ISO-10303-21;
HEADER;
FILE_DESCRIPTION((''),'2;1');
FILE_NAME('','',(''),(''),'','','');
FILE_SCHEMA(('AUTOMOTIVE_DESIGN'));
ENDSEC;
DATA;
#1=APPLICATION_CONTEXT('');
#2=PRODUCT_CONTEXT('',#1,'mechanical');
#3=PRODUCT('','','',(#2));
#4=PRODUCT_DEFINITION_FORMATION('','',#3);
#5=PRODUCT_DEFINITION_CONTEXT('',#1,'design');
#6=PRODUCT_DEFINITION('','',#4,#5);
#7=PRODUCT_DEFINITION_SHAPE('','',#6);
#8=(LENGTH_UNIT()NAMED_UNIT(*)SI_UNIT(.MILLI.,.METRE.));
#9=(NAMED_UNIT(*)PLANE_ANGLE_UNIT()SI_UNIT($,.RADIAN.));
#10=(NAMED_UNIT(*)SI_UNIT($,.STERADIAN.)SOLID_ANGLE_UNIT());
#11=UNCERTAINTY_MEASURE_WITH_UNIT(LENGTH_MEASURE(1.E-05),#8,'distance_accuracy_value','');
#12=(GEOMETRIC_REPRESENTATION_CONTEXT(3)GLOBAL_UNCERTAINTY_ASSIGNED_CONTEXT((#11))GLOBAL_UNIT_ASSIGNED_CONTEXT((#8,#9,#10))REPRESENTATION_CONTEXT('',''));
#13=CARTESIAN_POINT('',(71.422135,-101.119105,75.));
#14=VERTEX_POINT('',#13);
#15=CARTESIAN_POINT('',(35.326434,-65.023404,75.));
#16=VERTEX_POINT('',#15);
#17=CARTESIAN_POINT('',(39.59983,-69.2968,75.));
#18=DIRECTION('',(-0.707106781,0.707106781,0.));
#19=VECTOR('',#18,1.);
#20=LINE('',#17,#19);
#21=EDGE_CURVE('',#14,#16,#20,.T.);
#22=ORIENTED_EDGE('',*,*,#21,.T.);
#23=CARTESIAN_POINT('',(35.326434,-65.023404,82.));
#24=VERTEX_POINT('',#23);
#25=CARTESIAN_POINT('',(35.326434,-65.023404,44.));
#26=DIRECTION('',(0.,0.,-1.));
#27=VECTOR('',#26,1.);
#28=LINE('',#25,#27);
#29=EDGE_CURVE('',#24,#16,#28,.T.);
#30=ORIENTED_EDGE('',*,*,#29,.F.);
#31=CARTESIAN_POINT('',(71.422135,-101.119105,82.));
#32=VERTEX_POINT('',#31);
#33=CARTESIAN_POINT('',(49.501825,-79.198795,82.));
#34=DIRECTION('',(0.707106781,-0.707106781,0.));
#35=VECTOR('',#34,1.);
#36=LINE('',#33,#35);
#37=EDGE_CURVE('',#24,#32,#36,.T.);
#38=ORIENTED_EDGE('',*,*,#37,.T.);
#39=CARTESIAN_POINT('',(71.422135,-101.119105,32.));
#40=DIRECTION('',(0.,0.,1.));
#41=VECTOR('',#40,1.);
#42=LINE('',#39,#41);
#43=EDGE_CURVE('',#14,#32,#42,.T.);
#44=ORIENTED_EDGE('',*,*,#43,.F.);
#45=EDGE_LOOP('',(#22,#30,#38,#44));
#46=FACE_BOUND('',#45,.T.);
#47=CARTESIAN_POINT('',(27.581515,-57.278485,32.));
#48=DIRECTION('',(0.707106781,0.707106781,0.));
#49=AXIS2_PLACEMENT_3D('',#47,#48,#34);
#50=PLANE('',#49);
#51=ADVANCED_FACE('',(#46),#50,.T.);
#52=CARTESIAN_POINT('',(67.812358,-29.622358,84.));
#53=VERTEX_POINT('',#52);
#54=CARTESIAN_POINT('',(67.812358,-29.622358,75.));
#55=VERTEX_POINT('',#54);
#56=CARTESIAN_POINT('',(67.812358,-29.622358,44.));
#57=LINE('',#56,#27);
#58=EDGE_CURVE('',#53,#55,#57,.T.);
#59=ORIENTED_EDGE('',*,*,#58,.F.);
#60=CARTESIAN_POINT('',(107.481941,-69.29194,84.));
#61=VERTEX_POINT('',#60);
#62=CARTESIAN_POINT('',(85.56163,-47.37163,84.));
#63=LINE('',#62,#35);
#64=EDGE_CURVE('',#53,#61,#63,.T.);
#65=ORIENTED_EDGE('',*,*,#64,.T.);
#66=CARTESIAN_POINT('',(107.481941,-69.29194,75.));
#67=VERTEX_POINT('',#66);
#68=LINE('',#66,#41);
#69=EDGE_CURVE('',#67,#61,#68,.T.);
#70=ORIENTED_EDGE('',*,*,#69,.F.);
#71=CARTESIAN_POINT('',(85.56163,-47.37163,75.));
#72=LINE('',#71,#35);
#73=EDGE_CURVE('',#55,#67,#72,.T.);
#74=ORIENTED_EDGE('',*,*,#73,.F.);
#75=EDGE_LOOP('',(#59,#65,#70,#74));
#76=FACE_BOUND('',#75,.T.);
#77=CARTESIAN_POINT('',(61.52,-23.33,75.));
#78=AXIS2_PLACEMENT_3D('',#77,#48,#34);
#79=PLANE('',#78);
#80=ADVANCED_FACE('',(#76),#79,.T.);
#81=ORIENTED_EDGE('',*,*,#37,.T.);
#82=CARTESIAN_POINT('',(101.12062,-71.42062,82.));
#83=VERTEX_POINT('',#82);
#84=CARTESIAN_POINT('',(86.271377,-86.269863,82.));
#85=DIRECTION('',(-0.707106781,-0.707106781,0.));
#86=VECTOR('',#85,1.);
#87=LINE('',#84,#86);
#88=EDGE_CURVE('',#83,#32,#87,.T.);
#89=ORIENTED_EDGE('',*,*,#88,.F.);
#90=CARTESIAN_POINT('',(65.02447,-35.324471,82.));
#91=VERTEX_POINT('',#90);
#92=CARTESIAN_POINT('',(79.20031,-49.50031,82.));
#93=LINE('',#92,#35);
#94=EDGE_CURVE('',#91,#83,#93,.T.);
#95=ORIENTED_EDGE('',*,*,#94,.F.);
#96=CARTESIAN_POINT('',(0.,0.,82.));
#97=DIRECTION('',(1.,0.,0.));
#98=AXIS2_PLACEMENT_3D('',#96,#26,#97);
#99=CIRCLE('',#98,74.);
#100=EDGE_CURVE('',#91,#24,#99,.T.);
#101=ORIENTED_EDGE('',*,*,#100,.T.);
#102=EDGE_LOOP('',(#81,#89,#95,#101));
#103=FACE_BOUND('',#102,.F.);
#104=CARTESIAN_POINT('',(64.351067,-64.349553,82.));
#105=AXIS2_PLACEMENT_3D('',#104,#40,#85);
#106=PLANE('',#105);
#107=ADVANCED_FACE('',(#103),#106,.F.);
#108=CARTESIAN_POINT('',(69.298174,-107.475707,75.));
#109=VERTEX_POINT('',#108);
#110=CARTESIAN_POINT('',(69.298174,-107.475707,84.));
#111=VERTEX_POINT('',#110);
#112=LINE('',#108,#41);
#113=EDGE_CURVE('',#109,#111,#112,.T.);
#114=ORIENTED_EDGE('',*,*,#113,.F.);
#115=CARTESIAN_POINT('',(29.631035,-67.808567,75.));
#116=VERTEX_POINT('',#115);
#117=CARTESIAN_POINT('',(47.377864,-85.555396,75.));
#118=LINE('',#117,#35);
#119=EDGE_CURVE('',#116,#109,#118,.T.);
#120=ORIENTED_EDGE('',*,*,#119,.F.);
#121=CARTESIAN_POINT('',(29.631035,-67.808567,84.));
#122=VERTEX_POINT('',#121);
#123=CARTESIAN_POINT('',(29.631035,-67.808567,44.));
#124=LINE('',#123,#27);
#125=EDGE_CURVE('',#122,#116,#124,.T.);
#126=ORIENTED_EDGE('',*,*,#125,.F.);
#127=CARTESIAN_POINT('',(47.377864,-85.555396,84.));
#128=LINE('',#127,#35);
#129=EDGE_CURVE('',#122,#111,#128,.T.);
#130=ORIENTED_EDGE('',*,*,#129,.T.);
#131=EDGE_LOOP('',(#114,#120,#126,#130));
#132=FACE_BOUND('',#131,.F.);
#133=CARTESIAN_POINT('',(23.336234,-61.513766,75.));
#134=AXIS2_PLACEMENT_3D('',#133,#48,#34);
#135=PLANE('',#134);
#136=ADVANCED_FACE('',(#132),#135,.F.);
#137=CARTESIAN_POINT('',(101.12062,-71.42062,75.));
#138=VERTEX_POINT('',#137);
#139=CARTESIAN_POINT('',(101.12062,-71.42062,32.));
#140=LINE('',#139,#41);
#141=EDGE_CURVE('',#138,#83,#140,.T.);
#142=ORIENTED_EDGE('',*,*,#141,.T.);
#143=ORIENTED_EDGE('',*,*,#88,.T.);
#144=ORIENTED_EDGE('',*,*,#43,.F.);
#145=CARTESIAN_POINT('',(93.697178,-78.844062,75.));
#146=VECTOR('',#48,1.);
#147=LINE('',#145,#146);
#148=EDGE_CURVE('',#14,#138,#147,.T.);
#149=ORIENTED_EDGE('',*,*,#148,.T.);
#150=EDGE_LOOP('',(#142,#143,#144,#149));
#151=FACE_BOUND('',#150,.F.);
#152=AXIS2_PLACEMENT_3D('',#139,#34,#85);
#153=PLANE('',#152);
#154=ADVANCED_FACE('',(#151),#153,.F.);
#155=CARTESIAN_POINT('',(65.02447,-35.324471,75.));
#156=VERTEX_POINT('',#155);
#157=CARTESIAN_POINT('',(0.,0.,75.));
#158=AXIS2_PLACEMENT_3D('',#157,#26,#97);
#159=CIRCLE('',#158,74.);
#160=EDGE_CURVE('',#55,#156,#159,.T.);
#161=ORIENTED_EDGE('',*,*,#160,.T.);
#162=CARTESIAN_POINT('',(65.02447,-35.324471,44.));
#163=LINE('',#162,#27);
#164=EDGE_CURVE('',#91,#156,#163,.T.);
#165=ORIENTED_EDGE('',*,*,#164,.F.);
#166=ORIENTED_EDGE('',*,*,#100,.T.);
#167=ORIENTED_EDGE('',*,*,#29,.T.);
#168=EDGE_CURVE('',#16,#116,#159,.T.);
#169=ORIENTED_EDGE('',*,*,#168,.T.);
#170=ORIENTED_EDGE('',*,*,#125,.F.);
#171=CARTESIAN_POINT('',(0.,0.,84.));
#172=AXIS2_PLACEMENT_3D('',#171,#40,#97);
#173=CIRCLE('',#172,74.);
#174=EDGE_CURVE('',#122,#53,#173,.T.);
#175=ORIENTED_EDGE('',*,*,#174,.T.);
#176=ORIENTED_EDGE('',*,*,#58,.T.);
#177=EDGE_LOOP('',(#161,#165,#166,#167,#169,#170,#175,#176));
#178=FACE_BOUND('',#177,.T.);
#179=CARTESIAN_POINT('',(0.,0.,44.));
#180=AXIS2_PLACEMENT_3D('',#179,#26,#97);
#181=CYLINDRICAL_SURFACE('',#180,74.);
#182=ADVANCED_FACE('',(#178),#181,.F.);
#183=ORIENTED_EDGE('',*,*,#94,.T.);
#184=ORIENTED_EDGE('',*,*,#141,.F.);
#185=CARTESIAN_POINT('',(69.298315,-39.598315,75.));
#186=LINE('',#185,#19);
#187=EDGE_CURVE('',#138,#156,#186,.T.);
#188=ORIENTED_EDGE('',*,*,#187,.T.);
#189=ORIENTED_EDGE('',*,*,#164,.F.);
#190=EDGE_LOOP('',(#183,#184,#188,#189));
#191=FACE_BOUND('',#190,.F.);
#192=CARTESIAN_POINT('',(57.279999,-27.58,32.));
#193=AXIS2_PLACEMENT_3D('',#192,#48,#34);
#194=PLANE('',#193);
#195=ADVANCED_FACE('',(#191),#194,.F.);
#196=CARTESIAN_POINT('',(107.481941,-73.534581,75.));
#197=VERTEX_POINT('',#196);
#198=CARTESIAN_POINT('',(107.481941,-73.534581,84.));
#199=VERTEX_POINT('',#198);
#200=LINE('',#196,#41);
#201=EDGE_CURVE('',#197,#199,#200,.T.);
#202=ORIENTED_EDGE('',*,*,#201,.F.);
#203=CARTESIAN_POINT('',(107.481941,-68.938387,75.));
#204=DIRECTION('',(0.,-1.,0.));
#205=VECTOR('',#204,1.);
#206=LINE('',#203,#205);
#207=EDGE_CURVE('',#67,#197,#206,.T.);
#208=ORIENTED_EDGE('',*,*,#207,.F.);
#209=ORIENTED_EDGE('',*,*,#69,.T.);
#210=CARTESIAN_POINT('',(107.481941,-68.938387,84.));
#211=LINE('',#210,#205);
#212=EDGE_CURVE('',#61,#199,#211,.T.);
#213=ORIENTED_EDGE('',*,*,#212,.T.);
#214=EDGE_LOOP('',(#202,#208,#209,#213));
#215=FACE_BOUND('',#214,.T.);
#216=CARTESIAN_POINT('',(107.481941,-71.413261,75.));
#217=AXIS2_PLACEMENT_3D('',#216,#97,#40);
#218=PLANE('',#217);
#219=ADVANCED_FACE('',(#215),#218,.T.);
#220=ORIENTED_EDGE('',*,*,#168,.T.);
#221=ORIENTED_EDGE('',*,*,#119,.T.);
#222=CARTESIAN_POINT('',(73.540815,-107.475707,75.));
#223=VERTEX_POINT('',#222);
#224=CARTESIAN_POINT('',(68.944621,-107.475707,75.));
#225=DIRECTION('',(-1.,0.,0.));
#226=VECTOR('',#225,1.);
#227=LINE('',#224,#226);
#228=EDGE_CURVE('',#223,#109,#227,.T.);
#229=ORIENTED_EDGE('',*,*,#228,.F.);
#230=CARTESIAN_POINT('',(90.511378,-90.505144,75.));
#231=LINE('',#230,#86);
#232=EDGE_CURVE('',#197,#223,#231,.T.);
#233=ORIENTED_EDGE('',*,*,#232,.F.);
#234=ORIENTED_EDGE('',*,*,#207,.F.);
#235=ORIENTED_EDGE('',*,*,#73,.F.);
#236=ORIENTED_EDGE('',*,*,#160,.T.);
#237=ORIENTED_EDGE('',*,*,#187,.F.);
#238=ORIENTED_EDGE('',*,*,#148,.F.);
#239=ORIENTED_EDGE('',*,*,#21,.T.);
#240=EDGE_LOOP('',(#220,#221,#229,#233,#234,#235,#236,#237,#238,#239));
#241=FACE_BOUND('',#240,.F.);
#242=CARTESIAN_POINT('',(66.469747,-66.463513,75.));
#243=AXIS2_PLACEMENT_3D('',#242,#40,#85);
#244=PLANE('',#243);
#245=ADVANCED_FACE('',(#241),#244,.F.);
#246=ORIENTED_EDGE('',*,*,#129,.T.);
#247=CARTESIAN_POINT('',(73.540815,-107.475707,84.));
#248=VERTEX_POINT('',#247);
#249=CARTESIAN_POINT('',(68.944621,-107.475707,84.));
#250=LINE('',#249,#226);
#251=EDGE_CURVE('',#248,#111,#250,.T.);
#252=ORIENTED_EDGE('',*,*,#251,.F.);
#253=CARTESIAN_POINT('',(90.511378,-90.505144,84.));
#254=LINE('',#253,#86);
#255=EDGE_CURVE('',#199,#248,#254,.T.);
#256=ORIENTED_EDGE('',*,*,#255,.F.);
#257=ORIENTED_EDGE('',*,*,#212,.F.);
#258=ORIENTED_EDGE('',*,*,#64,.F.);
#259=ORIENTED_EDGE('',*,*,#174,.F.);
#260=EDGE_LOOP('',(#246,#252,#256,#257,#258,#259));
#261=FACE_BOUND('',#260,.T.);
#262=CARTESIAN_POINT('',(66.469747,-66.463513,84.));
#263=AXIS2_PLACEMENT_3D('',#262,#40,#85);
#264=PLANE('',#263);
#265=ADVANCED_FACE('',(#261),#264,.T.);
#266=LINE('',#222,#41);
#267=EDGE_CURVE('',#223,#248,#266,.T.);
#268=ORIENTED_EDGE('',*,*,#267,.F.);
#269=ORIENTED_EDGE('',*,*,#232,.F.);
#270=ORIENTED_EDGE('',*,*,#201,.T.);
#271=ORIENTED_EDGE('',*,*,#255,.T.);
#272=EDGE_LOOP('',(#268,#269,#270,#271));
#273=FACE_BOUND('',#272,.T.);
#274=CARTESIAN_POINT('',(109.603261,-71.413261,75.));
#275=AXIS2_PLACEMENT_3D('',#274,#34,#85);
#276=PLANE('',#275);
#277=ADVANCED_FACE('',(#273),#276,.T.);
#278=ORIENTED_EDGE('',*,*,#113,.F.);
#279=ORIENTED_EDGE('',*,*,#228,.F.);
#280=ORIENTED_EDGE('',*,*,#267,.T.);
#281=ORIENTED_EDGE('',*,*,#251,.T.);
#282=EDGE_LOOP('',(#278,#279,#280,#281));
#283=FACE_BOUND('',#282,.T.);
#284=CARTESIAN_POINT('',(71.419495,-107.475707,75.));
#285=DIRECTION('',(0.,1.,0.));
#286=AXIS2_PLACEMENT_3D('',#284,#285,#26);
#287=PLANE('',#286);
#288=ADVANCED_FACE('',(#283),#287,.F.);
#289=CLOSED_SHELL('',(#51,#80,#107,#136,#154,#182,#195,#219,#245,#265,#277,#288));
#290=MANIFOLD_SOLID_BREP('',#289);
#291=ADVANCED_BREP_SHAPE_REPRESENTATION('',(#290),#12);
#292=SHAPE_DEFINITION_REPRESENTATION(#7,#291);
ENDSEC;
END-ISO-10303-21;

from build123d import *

# Parameters (mm, degrees)
CYLINDER1708_R              = 74
CYLINDER1708_DEPTH          = 40
BOX671_W                    = 42
BOX671_H                    = 62
BOX671_DEPTH                = 50
COMPOUND846_PLACEMENT_ANGLE = 225
BOX672_W                    = 54
BOX672_H                    = 68
BOX672_DEPTH                = 9
COMPOUND847_PLACEMENT_ANGLE = 225
CHAMFER053_SIZE             = 3


with BuildPart() as v_lec1708:
    # Cylinder1708 → Cylinder1708 (new body)
    with BuildSketch(Plane.XY.offset(44)):
        Circle(CYLINDER1708_R)
    extrude(amount=CYLINDER1708_DEPTH)


with BuildPart() as compound846:
    # Box671 → Box671 (new body)
    with BuildSketch(Plane(origin=(-21.001071, 60.005081, 31), x_dir=(1, 0, 0), z_dir=(0, 0, 1))):
        with Locations((21, 31)):
            Rectangle(BOX671_W, BOX671_H)
    extrude(amount=BOX671_DEPTH)


with BuildPart() as compound846_1:
    # Compound846 placement: moved
    add(compound846.part.moved(Location((0, 0, 1))).rotate(Axis((0, 0, 1), (0, 0, 1)), COMPOUND846_PLACEMENT_ANGLE))


with BuildPart() as chamfer053:
    # Box672 → Box672 (new body)
    with BuildSketch(Plane(origin=(-27.004408, 59.99801, 75), x_dir=(1, 0, 0), z_dir=(0, 0, 1))):
        with Locations((27, 34)):
            Rectangle(BOX672_W, BOX672_H)
    extrude(amount=BOX672_DEPTH)


with BuildPart() as chamfer053_1:
    # Compound847 placement: moved
    add(chamfer053.part.rotate(Axis((0, 0, 0), (0, 0, 1)), COMPOUND847_PLACEMENT_ANGLE))

    # Cut489: cut Compound846
    add(compound846_1.part, mode=Mode.SUBTRACT)

    # Cut490: cut Válec1708
    add(v_lec1708.part, mode=Mode.SUBTRACT)

    # Chamfer053
    chamfer053_edges = [chamfer053_1.edges().sort_by_distance(p)[0] for p in [
        (109.603261, -71.413261, 79.5),
        (71.419495, -109.597027, 79.5),
    ]]
    chamfer(chamfer053_edges, length=CHAMFER053_SIZE)


solid = chamfer053_1.part
